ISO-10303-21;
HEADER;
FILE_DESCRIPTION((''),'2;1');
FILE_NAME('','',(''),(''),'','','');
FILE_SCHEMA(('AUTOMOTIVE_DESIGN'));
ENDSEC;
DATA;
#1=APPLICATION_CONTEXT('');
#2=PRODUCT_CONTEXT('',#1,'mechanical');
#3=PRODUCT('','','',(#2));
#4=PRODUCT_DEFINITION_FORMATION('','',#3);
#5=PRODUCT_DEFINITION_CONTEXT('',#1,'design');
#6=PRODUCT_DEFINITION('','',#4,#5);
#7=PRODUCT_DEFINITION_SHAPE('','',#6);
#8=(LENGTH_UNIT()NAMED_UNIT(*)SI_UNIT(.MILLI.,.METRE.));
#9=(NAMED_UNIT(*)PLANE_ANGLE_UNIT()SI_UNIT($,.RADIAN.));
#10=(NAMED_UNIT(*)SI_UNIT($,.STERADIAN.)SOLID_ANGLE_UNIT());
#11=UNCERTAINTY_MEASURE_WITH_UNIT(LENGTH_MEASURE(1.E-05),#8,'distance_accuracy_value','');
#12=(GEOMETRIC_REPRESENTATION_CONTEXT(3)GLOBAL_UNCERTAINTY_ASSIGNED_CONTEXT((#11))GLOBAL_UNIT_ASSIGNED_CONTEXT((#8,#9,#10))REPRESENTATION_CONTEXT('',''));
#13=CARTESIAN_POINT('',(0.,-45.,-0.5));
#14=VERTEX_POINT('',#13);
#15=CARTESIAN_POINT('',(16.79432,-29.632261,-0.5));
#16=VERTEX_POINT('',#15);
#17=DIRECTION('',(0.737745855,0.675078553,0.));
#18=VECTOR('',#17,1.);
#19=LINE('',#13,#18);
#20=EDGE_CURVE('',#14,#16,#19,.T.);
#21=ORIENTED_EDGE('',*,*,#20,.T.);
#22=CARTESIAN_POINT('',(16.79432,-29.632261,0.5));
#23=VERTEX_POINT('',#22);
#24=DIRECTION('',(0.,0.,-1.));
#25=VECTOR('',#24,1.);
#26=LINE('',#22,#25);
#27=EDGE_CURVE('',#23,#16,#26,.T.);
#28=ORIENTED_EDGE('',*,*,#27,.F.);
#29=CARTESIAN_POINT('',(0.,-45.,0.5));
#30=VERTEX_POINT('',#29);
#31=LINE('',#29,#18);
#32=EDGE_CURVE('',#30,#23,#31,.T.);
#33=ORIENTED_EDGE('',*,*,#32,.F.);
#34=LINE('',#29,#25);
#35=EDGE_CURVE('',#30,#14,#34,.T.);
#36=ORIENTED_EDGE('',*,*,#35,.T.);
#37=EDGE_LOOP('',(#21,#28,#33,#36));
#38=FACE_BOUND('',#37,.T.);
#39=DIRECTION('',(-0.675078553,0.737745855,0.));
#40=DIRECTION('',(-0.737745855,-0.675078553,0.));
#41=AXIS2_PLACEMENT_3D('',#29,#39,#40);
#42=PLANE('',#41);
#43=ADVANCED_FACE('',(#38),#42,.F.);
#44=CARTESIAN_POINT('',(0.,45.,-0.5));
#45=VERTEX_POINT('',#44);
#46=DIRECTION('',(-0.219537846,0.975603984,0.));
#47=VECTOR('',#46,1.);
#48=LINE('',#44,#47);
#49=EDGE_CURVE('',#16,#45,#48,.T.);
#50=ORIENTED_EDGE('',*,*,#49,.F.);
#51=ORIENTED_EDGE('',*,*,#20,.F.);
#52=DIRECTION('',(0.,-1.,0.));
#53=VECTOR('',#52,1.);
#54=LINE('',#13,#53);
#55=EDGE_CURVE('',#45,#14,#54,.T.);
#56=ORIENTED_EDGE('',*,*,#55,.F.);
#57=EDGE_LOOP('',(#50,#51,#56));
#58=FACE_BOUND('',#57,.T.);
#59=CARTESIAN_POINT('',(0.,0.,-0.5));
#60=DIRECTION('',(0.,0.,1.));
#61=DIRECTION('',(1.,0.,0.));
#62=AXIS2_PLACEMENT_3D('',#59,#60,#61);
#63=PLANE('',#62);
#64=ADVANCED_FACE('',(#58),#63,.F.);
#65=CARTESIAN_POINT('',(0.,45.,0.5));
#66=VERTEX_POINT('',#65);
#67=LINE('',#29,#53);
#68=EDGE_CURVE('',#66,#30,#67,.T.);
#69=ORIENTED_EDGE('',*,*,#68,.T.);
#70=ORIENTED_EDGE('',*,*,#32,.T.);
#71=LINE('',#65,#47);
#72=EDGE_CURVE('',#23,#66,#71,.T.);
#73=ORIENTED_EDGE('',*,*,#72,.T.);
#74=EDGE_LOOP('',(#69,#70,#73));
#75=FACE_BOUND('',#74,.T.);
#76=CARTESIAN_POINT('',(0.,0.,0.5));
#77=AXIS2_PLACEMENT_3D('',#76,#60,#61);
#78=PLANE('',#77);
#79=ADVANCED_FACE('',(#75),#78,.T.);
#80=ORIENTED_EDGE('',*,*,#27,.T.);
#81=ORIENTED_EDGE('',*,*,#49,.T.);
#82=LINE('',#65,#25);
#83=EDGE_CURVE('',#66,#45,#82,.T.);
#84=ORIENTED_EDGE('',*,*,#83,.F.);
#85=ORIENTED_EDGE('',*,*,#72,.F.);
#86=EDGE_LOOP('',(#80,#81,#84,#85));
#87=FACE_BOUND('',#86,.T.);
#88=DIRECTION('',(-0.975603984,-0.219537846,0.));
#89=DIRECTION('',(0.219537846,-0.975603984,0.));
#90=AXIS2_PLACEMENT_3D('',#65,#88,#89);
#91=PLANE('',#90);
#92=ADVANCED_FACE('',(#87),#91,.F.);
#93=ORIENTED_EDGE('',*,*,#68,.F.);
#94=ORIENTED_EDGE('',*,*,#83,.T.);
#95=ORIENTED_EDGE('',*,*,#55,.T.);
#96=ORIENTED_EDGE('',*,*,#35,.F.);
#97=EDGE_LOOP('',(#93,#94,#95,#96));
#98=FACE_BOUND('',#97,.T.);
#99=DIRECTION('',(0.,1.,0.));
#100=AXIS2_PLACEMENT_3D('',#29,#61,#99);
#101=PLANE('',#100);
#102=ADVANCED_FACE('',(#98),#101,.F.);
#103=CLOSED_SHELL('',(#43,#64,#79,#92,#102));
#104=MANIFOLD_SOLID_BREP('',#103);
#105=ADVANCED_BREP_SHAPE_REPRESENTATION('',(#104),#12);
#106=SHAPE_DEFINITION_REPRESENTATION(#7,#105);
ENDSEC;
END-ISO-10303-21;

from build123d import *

# Parameters (mm, degrees)
BOSS_EXTRUDE1_DEPTH = 0.5


with BuildPart() as part:
    # Sketch1 → Boss-Extrude1 (new, symmetric)
    with BuildSketch(Plane.XY):
        Polygon((0, -45), (0, 45), (16.794320409, -29.632261311), align=None)
    extrude(amount=BOSS_EXTRUDE1_DEPTH, both=True)


solid = part.part
